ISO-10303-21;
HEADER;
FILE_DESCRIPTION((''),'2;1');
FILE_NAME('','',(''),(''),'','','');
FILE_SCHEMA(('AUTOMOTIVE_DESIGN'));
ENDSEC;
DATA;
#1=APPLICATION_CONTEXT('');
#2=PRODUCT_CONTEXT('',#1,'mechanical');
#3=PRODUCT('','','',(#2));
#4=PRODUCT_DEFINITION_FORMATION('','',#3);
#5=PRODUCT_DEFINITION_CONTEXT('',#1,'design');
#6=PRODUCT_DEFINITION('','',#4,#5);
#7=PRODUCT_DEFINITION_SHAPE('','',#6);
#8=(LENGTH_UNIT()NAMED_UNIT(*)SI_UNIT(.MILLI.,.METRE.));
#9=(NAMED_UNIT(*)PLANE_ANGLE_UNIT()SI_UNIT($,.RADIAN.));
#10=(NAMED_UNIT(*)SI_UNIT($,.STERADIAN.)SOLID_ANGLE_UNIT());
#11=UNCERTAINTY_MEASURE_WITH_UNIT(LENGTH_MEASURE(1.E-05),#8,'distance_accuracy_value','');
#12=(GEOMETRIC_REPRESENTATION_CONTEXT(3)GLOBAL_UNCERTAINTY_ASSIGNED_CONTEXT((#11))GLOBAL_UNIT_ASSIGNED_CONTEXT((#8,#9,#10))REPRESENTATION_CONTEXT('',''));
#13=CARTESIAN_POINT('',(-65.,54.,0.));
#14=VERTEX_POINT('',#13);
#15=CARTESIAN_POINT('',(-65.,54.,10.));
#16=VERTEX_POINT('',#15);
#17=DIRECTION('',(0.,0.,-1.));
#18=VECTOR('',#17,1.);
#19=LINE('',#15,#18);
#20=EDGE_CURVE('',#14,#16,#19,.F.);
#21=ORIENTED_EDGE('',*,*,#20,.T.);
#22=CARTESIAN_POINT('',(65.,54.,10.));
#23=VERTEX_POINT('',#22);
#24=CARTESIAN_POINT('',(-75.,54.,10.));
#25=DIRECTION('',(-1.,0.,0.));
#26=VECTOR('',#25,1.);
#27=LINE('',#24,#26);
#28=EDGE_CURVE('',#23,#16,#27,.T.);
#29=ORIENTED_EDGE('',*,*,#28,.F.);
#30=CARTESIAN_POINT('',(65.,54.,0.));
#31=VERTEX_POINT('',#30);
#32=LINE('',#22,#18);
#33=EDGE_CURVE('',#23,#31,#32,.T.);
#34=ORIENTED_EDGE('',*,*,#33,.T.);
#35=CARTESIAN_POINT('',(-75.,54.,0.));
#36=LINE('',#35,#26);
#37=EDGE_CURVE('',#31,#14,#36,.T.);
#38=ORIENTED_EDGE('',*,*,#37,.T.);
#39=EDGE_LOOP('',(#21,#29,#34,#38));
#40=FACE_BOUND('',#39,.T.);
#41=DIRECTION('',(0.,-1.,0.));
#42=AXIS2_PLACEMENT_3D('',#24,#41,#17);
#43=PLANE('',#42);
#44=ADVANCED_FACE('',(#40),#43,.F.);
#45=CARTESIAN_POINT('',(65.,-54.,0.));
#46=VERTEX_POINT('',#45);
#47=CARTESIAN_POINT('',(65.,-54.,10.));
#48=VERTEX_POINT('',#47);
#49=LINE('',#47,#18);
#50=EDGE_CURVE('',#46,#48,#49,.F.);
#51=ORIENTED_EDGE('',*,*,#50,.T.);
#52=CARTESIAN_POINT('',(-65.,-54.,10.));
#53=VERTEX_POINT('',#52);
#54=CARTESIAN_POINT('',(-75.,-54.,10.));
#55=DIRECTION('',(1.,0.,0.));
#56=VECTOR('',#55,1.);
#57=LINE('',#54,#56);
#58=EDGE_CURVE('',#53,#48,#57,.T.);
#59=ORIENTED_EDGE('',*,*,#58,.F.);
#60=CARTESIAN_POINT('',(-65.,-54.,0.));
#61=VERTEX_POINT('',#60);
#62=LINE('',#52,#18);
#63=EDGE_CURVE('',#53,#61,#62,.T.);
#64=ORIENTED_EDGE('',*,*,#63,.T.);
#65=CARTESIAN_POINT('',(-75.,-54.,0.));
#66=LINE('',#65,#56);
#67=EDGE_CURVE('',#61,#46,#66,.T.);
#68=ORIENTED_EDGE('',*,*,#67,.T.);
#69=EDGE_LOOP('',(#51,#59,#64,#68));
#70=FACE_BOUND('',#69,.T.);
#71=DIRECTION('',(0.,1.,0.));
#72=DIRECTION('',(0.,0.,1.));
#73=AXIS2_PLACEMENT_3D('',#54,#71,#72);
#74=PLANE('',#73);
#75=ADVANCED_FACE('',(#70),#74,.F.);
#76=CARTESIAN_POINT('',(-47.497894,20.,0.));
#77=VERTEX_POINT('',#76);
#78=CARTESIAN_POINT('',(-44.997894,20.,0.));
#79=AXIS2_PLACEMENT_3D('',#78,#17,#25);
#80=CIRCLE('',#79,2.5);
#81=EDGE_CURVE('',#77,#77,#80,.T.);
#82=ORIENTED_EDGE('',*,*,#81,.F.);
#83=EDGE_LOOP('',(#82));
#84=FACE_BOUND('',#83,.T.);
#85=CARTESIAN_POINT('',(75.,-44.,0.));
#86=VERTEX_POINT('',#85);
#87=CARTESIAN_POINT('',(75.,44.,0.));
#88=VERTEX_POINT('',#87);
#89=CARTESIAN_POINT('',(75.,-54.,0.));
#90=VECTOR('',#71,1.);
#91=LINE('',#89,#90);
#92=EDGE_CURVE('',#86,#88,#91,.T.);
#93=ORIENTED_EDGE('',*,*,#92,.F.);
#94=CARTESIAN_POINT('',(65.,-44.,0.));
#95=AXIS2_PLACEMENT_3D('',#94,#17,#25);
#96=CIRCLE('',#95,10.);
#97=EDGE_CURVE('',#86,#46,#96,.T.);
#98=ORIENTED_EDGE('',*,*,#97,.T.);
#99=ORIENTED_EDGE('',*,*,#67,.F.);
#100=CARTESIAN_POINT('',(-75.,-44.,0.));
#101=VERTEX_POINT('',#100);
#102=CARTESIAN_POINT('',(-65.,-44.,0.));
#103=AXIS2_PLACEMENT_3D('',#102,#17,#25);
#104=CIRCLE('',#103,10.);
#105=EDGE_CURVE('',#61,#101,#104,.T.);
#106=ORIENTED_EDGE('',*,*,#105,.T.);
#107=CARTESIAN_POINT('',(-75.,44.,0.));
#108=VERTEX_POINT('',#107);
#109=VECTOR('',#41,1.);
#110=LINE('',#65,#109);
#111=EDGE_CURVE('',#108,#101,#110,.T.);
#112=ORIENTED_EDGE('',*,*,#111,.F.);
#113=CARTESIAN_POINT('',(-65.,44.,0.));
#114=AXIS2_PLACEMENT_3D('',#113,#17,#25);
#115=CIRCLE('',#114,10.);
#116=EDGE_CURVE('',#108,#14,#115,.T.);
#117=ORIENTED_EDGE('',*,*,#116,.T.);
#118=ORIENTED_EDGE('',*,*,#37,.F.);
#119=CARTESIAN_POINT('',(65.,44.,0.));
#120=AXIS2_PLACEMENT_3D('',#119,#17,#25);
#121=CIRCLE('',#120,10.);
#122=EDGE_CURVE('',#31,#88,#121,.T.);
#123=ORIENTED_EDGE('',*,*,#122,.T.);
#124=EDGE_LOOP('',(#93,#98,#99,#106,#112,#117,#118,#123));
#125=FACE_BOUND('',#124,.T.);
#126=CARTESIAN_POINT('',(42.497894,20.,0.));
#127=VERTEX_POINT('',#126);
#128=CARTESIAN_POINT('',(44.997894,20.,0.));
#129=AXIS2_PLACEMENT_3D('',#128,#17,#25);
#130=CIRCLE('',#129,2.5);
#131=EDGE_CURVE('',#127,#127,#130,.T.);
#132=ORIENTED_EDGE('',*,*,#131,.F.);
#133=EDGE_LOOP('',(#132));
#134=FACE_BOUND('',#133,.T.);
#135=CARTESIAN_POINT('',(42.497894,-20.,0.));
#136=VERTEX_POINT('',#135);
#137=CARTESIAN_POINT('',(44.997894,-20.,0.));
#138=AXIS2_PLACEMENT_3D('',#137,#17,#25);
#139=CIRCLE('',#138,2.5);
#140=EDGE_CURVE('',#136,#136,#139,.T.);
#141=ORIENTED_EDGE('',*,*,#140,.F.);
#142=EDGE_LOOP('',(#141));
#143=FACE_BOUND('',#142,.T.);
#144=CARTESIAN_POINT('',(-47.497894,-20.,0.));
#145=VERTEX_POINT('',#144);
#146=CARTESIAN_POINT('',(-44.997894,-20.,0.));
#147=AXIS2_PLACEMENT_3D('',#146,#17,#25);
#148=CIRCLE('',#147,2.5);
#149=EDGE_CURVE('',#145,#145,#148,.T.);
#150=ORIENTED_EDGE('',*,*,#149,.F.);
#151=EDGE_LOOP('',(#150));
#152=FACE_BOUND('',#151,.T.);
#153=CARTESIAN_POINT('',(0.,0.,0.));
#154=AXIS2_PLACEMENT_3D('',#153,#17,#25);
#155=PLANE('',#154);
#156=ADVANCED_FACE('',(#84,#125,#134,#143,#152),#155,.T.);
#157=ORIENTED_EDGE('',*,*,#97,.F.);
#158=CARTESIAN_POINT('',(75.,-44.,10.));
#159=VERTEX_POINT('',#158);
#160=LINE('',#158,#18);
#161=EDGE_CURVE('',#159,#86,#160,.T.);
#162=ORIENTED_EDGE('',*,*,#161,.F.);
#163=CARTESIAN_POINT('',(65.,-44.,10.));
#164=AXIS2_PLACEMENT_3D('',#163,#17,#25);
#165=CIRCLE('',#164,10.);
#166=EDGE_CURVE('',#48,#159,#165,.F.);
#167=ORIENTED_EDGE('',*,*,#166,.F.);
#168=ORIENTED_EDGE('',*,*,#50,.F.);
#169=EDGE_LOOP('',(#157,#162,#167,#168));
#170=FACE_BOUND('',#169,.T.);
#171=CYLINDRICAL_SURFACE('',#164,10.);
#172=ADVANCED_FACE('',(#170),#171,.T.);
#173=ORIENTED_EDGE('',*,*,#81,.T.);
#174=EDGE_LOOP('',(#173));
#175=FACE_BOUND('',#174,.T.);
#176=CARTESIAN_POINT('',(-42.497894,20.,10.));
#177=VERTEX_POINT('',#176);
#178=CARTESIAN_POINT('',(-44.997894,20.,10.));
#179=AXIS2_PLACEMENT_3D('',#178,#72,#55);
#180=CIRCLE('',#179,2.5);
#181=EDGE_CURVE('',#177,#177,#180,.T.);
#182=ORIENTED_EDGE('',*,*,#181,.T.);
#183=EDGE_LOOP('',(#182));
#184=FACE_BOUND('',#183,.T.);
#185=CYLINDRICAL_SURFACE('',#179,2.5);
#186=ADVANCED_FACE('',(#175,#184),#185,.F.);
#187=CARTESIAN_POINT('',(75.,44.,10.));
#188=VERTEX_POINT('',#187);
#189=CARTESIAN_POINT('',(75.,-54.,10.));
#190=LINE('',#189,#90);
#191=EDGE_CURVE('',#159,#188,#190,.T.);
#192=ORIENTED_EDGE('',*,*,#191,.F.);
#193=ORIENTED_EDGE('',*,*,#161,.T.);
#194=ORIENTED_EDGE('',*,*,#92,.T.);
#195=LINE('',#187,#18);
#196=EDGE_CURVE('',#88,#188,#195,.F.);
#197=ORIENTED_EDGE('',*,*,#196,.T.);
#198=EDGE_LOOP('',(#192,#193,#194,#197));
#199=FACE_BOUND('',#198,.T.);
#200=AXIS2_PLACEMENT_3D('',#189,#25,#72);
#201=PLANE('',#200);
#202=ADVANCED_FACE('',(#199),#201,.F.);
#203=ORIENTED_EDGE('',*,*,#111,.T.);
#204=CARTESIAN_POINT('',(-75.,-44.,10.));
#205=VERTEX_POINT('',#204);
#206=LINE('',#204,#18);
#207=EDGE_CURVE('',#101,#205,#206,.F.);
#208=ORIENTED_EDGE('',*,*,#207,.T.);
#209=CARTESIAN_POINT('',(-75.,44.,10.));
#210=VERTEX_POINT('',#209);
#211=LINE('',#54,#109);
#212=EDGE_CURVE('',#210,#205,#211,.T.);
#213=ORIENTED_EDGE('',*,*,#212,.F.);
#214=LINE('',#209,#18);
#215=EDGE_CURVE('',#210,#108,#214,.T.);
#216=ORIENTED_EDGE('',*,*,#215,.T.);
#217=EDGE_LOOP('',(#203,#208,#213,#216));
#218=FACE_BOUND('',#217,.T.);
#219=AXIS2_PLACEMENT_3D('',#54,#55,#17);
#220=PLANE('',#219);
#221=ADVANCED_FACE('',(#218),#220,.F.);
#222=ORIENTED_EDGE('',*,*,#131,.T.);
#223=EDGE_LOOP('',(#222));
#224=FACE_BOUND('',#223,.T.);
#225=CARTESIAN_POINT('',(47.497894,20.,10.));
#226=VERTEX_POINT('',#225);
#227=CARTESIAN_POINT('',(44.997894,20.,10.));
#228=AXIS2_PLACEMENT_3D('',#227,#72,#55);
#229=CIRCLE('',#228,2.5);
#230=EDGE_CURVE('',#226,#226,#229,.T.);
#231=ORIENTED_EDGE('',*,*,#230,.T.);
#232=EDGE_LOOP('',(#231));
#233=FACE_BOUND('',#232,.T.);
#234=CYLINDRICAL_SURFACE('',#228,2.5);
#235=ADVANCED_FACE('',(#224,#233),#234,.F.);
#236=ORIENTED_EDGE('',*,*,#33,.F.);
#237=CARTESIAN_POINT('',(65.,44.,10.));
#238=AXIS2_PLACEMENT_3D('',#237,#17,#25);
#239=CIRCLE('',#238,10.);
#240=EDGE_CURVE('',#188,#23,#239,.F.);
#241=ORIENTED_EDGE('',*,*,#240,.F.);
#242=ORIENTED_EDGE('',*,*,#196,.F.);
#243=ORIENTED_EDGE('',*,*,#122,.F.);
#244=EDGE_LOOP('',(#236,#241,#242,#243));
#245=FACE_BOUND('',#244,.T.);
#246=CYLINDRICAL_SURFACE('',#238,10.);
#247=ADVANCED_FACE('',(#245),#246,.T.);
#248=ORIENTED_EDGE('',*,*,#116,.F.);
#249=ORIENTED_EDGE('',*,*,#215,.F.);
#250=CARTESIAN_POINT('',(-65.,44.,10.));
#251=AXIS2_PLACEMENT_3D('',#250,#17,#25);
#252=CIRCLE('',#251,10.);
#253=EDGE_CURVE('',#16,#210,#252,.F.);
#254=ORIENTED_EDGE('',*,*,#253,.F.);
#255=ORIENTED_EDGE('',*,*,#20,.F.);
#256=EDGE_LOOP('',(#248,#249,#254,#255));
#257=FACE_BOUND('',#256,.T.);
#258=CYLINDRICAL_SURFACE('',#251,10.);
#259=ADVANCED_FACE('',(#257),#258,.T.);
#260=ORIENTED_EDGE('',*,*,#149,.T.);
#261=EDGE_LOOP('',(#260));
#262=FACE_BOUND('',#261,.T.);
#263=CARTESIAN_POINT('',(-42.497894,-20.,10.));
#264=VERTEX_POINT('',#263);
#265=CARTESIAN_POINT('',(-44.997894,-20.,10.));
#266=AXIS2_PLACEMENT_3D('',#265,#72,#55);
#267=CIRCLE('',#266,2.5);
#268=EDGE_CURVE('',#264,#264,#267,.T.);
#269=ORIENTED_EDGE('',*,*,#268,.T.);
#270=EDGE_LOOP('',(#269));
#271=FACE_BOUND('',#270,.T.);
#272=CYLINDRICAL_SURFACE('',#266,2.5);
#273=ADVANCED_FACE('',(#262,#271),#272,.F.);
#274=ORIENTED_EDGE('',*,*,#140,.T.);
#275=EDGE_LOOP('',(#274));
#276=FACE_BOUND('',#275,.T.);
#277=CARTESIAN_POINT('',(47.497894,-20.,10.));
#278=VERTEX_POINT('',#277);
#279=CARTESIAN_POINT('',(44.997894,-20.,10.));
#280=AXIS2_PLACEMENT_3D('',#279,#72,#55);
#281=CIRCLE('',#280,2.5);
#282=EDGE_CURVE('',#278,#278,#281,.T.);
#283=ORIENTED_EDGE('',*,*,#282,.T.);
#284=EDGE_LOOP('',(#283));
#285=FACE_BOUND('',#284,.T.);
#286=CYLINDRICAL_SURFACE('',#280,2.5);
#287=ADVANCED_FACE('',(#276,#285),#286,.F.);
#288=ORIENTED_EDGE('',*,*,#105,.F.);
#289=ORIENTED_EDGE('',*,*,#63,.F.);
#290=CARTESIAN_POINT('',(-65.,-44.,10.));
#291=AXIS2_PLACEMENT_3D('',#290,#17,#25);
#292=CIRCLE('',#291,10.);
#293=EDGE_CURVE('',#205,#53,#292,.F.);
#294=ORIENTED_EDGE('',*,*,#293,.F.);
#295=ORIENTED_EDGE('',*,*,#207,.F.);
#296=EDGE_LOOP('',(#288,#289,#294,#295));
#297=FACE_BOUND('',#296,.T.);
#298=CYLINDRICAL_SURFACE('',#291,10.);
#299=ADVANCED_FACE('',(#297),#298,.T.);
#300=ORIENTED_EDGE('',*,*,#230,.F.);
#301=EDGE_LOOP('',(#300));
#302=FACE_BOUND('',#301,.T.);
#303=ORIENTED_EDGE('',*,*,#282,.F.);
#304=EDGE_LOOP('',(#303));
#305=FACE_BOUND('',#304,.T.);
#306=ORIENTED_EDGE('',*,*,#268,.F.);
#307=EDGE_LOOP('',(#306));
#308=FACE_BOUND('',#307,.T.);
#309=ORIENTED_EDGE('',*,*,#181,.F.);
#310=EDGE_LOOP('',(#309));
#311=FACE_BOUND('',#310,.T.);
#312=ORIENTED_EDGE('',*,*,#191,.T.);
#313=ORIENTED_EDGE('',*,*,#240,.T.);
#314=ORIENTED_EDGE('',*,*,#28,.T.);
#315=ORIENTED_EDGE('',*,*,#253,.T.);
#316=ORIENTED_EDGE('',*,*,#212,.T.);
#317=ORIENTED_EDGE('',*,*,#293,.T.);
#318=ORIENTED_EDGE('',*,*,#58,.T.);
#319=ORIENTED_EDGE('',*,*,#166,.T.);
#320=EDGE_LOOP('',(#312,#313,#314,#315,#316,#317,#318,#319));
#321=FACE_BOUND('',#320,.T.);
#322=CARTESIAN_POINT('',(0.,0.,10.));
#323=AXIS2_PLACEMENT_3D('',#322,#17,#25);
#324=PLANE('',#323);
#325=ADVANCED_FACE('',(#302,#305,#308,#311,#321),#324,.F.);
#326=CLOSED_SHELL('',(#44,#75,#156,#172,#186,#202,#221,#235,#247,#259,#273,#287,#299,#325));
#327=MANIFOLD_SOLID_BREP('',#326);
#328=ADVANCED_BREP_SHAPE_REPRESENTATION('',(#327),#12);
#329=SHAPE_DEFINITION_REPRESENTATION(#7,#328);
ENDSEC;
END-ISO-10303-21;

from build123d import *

# Parameters (mm, degrees)
SKETCH1_W                  = 150
SKETCH1_H                  = 108
BOSS_EXTRUDE1_DEPTH        = 10
M6_TAPPED_HOLE1_AT_2_COUNT = 2
M6_TAPPED_HOLE1_AT_2_PITCH = 40
FILLET1_R                  = 10


with BuildPart() as part:
    # Sketch1 → Boss-Extrude1 (new body)
    with BuildSketch(Plane.XY):
        Rectangle(SKETCH1_W, SKETCH1_H)
    extrude(amount=BOSS_EXTRUDE1_DEPTH)

    # Sketch4 → M6 Tapped Hole1 (revolve, cut)
    with BuildSketch(Plane(origin=(-44.997893633, 20, 10), x_dir=(0, -1, 0), z_dir=(1, 0, 0))):
        Polygon((0, 0), (0, 16.502151548), (2.5, 15), (2.5, 0), align=None)
    m6_tapped_hole1 = revolve(axis=Axis((-44.997893633, 20, 16.35), (0, 0, -1)), mode=Mode.SUBTRACT)

    # M6 Tapped Hole1 at 2: M6 Tapped Hole1 ×2
    with Locations(*[(0, -i * M6_TAPPED_HOLE1_AT_2_PITCH, 0) for i in range(1, M6_TAPPED_HOLE1_AT_2_COUNT)]):
        add(m6_tapped_hole1, mode=Mode.SUBTRACT)

    # Mirror1: M6 Tapped Hole1 across plane
    add(m6_tapped_hole1.mirror(Plane(origin=(0, 0, 0), x_dir=(0, 0, 1), z_dir=(1, 0, 0))), mode=Mode.SUBTRACT)

    # Mirror1 copy 1 sketch → Mirror1 copy 1 (revolve, cut)
    with BuildSketch(Plane(origin=(44.997893633, -20, 10), x_dir=(0, -1, 0), z_dir=(-1, 0, 0))):
        Polygon((0, 0), (0, -16.502151548), (2.5, -15), (2.5, 0), align=None)
    revolve(axis=Axis((44.997893633, -20, 16.35), (0, 0, 1)), mode=Mode.SUBTRACT)

    # Fillet1
    fillet1_edges = [part.edges().sort_by_distance(p)[0] for p in [
        (75, -54, 5),
        (-75, -54, 5),
        (-75, 54, 5),
        (75, 54, 5),
    ]]
    fillet(fillet1_edges, radius=FILLET1_R)


solid = part.part
